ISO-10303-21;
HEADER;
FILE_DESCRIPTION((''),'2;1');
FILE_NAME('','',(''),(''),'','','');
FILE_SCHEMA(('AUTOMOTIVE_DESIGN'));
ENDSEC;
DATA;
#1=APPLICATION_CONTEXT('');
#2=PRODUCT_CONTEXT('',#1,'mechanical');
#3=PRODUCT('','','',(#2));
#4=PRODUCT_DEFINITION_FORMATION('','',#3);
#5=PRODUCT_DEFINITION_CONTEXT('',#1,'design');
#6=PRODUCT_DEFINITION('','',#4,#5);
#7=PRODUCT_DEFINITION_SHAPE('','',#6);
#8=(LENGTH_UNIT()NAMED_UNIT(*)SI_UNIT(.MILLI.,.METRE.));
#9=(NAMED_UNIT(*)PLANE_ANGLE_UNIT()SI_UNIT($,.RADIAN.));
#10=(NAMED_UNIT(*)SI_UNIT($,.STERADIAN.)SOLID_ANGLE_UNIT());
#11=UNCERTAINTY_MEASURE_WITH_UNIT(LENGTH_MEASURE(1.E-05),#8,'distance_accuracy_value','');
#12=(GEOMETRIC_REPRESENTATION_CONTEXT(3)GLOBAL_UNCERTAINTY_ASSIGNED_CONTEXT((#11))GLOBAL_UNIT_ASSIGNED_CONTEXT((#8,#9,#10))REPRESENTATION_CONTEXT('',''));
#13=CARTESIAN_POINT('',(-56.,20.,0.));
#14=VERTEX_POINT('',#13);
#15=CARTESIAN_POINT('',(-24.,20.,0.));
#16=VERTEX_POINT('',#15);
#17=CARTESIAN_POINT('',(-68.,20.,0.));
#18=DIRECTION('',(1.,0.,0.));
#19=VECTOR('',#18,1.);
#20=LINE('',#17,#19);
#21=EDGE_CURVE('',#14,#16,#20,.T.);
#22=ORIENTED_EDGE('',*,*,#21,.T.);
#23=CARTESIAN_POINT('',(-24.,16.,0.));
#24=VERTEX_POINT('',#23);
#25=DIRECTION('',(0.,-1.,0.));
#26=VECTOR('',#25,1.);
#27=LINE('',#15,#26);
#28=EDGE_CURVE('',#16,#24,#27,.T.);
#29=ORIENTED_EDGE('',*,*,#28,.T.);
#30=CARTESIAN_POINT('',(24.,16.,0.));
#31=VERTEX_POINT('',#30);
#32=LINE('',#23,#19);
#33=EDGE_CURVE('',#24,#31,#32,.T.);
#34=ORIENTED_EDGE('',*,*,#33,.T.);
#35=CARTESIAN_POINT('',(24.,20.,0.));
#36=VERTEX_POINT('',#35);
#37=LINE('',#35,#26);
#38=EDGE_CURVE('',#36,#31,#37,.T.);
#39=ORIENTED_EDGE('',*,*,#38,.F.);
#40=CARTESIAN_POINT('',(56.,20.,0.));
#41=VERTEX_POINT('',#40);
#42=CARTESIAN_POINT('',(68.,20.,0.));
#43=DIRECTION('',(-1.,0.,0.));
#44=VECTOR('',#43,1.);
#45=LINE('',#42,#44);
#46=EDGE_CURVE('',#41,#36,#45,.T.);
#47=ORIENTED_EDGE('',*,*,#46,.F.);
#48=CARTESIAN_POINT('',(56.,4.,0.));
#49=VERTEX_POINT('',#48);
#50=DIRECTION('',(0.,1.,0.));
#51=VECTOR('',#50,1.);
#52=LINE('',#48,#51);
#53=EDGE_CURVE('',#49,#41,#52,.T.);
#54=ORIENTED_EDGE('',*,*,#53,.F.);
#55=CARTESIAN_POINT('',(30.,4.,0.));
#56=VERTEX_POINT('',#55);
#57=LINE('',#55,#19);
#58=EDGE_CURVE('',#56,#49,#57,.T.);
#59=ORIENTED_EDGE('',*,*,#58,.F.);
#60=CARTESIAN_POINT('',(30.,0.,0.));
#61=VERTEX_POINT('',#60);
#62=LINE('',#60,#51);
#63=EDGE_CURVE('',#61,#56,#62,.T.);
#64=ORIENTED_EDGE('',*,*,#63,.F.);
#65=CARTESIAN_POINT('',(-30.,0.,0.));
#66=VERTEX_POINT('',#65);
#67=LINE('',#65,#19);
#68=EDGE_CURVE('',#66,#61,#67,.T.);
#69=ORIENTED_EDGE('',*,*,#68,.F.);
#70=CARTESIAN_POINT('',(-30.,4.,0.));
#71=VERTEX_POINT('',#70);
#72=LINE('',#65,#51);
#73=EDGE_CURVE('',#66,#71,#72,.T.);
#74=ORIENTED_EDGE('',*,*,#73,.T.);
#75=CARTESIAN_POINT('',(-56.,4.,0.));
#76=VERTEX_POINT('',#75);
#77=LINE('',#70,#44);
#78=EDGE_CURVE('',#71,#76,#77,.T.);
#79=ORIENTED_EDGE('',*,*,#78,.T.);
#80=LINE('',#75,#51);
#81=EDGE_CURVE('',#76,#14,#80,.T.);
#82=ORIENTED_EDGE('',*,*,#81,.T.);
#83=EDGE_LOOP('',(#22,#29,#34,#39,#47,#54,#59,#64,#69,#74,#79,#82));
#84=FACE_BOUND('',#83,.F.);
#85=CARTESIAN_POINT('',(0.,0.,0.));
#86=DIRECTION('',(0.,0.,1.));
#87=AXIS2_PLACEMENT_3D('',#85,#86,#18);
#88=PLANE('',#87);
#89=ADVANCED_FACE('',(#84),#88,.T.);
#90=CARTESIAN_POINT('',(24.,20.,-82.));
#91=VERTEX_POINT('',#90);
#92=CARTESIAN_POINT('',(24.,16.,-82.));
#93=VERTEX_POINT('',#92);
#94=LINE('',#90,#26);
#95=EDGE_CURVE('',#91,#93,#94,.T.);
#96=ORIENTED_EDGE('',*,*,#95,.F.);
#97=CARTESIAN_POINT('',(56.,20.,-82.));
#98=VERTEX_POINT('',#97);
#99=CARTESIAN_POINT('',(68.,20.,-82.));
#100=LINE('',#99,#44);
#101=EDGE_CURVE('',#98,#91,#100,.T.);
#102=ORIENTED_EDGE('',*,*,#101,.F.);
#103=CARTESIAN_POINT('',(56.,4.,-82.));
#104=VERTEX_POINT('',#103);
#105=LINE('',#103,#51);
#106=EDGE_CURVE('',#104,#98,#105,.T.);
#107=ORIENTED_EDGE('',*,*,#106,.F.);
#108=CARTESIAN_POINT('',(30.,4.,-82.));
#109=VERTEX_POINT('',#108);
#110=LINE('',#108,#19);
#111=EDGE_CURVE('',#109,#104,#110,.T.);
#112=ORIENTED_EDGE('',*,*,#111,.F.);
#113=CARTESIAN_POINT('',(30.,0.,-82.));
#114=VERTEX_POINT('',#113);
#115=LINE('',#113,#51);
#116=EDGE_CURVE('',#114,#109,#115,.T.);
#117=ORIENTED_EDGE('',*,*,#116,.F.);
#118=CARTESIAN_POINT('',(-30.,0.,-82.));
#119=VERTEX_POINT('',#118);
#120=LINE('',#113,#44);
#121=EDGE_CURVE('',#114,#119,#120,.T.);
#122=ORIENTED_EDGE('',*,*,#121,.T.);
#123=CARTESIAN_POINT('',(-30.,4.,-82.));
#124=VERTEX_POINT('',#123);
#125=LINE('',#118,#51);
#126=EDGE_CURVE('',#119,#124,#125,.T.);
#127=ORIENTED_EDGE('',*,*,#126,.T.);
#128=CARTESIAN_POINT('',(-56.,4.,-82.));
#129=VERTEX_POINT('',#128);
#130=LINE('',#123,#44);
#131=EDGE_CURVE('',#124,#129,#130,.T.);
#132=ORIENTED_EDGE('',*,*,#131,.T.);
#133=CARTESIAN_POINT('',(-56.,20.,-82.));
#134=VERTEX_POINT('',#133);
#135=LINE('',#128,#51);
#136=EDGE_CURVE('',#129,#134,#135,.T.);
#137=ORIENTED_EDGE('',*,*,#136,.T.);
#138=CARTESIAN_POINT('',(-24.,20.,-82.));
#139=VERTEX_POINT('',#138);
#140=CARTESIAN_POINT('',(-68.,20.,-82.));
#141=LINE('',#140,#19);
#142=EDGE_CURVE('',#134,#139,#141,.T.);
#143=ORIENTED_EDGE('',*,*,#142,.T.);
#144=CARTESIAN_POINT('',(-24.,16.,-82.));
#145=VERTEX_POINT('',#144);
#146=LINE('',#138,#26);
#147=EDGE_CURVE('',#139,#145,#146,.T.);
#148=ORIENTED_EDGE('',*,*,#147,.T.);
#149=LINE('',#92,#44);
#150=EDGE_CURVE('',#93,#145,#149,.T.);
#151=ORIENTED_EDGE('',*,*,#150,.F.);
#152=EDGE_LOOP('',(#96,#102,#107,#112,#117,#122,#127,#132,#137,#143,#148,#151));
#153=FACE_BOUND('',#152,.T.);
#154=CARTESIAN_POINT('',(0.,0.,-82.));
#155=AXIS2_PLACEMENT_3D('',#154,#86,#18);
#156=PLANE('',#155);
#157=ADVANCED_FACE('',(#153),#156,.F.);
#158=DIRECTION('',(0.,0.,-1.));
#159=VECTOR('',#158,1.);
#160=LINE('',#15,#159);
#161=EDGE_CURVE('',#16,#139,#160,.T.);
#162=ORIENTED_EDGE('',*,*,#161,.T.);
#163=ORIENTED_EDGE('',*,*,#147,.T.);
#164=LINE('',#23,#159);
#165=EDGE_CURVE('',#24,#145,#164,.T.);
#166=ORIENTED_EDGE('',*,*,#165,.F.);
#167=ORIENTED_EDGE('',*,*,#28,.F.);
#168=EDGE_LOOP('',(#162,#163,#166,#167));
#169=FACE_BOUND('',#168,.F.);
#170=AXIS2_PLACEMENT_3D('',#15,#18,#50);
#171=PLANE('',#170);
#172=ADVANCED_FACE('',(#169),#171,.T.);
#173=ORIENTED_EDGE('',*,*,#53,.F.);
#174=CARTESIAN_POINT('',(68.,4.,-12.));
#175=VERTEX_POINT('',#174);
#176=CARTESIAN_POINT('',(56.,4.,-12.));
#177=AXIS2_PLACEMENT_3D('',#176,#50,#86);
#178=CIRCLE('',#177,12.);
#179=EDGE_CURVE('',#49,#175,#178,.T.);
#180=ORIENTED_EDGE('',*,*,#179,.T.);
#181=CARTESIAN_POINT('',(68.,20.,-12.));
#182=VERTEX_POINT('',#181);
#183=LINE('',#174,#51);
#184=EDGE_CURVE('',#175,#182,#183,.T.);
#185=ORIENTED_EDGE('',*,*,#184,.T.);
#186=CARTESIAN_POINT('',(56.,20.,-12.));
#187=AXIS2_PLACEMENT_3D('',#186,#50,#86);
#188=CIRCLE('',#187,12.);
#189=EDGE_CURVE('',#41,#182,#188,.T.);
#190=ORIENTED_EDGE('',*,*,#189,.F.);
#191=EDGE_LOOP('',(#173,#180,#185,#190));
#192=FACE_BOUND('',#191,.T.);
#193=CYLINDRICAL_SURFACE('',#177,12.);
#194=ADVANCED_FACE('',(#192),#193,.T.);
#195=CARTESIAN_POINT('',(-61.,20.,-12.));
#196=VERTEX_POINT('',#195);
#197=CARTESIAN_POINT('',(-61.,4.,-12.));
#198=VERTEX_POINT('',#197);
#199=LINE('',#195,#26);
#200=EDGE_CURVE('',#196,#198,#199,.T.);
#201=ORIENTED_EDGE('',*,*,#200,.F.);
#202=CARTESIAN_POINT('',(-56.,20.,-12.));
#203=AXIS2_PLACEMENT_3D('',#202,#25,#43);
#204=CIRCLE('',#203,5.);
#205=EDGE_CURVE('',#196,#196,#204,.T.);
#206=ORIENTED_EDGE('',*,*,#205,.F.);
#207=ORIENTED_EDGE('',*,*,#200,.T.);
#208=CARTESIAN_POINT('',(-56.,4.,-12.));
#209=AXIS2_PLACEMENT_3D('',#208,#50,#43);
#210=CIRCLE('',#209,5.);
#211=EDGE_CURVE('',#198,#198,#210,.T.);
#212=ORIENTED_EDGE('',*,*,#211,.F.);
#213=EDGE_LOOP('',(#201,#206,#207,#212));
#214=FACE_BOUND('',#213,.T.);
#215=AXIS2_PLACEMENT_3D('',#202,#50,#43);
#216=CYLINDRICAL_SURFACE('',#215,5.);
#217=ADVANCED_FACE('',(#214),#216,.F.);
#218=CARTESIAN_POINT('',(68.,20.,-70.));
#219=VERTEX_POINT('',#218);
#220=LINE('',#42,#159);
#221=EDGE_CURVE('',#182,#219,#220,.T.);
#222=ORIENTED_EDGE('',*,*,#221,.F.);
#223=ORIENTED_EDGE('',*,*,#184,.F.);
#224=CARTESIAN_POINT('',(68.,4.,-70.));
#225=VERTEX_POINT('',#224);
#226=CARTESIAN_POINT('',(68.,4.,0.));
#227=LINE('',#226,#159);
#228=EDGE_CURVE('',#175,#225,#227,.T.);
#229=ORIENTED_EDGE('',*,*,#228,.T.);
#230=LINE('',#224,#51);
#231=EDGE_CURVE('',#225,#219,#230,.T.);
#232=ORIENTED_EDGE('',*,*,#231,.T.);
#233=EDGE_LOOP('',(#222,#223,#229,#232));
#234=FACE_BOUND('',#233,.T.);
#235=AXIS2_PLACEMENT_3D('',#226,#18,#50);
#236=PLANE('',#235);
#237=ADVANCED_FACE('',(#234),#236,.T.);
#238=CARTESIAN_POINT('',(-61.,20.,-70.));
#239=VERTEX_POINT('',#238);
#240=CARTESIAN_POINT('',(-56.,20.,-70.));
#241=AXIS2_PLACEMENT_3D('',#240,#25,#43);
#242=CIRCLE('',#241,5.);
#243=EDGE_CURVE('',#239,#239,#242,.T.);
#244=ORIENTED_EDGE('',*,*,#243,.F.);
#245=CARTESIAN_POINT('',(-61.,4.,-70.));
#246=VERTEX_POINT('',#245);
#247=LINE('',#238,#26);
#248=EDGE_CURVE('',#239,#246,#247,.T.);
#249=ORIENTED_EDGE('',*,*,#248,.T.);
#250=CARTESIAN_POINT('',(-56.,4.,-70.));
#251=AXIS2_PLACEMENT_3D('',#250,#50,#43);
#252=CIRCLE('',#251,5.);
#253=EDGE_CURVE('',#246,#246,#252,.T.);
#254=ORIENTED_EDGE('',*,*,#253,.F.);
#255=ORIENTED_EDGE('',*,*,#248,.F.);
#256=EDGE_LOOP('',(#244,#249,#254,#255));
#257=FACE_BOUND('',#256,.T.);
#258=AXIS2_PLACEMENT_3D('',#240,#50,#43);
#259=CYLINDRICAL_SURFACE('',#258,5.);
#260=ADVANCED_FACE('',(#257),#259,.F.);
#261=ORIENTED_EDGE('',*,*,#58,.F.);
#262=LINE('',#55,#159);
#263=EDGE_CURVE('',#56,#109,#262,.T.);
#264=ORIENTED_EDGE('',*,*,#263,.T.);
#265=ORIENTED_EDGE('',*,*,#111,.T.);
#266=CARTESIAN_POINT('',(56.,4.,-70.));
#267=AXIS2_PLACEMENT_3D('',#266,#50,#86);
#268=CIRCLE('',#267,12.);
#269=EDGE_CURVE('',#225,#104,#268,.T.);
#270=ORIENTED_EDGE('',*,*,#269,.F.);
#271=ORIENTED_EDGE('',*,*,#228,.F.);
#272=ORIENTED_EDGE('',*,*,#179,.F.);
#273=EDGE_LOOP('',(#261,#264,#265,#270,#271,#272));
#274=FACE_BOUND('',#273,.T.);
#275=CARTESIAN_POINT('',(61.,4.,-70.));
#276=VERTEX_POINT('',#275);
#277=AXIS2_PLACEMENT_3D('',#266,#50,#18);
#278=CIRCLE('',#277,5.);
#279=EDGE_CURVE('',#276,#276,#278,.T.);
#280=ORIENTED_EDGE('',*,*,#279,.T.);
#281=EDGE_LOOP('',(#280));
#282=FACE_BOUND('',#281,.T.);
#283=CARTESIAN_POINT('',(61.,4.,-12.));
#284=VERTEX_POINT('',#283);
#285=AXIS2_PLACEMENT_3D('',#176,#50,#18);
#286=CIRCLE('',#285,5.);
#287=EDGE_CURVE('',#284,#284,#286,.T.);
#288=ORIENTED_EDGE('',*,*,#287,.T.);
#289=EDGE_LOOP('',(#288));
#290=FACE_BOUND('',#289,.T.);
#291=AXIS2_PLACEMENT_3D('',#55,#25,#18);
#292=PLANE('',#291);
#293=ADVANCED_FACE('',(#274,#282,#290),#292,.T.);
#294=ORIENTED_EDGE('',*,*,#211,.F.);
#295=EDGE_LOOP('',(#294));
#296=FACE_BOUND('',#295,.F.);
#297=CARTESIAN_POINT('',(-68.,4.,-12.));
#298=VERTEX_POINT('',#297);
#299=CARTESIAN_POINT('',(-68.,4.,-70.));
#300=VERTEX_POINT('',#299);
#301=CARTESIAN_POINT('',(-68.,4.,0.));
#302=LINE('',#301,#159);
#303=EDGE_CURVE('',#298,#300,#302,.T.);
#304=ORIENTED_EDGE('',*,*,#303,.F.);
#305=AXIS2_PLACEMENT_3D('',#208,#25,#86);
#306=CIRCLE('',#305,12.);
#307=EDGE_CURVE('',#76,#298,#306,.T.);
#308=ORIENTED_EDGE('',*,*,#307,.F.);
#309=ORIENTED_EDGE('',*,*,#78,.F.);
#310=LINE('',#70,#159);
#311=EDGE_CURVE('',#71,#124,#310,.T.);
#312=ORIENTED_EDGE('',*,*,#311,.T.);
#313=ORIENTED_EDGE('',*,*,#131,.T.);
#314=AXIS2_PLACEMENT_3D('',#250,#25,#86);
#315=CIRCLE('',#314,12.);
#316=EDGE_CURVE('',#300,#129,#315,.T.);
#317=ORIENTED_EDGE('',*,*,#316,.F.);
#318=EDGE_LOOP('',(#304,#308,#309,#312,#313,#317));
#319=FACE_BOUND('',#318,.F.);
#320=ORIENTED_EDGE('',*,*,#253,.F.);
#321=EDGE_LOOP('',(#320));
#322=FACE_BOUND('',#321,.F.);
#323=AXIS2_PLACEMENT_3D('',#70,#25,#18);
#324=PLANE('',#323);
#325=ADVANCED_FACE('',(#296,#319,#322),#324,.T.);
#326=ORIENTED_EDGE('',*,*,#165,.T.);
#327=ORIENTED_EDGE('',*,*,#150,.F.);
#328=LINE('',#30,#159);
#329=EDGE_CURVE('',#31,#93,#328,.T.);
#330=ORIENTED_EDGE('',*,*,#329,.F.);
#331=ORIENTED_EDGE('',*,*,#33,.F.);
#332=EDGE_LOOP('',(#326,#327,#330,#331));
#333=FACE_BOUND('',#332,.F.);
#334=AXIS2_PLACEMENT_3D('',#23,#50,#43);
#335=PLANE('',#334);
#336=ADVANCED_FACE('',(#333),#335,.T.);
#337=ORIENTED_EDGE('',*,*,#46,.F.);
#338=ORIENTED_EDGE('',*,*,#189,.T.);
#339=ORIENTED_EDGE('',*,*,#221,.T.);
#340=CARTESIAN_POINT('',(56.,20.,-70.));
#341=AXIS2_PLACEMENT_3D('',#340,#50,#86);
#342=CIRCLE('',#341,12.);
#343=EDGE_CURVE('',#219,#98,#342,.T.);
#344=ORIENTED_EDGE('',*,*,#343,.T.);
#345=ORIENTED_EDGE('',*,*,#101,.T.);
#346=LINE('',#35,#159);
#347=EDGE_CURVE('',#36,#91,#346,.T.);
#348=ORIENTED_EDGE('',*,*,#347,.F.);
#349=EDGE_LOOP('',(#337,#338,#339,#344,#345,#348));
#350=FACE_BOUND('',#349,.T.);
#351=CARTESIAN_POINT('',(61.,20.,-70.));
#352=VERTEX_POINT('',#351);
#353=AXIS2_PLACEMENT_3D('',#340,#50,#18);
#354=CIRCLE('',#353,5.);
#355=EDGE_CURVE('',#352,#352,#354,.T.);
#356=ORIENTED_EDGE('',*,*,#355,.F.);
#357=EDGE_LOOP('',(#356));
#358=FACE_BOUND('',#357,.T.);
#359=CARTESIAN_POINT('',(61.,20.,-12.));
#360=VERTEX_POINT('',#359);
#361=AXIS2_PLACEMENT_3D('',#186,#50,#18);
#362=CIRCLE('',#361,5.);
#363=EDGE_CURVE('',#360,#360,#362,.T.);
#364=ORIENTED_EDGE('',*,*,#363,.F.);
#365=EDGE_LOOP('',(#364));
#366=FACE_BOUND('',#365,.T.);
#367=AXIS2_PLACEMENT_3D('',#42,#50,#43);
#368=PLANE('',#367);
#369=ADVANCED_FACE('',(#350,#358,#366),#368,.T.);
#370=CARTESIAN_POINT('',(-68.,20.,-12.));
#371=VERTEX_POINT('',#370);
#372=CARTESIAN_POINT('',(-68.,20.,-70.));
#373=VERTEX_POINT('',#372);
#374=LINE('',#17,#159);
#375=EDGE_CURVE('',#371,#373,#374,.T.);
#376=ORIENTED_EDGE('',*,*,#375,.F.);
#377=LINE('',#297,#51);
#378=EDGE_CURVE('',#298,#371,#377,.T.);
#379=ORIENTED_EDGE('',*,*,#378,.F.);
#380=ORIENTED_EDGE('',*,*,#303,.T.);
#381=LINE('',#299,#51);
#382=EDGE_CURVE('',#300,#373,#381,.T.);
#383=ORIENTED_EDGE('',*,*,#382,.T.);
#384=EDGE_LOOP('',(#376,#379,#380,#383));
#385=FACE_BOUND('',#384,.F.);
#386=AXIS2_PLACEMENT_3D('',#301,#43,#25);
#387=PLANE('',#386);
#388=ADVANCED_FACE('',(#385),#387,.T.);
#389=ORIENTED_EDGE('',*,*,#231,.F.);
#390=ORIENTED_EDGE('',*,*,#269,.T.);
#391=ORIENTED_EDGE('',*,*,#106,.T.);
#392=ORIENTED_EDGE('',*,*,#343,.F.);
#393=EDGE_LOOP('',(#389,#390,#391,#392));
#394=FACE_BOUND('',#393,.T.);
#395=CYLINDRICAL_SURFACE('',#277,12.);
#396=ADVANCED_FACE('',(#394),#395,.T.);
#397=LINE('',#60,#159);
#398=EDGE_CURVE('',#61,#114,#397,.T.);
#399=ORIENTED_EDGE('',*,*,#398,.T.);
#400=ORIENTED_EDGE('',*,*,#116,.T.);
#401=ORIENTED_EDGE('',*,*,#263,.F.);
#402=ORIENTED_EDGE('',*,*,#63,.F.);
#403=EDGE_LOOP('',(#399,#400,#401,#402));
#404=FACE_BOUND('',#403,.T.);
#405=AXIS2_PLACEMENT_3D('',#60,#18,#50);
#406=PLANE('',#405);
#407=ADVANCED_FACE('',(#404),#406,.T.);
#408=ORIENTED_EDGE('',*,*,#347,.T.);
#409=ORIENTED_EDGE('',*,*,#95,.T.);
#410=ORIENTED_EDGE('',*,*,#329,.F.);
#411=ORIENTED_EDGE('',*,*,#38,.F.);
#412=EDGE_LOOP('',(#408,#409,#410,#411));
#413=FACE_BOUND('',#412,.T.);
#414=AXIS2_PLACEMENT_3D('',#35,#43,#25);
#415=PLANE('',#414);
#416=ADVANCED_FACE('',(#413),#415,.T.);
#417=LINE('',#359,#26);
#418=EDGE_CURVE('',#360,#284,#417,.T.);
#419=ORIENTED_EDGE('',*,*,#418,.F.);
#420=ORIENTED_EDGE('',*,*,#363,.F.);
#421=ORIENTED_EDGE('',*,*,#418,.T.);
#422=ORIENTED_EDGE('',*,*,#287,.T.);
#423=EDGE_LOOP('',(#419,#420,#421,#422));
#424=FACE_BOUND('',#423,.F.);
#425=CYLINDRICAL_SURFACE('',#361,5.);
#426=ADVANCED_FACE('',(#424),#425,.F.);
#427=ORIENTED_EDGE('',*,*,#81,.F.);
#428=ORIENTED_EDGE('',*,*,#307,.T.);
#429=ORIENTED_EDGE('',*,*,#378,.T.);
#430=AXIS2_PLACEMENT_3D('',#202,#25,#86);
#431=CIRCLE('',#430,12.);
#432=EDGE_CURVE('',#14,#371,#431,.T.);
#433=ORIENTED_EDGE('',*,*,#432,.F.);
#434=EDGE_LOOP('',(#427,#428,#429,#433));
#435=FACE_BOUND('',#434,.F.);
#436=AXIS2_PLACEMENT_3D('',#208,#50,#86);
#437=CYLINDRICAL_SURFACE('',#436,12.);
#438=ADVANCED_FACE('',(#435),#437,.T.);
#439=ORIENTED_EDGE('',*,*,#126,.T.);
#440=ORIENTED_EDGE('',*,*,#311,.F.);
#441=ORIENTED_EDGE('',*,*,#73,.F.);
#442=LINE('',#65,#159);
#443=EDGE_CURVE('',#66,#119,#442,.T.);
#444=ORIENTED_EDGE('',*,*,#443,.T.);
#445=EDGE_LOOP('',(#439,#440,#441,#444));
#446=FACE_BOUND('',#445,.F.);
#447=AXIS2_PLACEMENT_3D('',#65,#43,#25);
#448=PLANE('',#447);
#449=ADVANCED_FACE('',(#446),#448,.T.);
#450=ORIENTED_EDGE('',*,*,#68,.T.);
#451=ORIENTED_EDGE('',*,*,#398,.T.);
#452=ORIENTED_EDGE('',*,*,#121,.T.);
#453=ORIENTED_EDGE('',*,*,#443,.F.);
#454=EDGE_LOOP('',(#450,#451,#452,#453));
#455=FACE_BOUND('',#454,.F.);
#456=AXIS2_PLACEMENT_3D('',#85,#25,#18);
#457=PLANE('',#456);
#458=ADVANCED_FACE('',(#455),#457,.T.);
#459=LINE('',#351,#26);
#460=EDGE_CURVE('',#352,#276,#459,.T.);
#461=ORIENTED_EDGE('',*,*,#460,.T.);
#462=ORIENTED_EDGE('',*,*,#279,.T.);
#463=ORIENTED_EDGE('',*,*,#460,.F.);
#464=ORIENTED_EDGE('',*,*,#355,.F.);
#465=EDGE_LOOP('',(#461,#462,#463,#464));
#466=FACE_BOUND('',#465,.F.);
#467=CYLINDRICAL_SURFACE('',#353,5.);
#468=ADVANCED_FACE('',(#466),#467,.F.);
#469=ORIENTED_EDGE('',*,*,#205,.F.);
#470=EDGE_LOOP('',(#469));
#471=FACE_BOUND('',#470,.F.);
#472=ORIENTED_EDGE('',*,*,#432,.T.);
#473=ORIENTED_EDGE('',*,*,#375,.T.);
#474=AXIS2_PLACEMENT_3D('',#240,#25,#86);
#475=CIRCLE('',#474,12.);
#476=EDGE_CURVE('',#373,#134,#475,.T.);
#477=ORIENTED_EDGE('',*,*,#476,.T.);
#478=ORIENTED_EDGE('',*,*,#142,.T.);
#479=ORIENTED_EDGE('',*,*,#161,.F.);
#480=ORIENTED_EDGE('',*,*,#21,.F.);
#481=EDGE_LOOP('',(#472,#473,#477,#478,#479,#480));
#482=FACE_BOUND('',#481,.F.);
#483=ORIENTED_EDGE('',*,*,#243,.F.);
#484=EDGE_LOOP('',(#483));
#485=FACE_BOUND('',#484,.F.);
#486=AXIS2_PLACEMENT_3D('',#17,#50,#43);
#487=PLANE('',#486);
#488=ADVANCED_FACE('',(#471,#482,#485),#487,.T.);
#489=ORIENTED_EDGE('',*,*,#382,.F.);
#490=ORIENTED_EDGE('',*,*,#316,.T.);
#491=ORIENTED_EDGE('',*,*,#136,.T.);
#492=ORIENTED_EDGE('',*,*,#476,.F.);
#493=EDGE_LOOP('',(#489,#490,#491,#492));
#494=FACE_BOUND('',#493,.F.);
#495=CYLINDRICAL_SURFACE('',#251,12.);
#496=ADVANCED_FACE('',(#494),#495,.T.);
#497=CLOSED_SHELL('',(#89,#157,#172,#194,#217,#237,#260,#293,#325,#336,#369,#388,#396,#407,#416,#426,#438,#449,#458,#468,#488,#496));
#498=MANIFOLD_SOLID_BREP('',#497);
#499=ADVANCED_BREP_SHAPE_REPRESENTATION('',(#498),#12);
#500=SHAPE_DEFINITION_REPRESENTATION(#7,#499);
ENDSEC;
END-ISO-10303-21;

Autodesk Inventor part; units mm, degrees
ref_plane "YZ Plane" through (0, 0, 0) normal (1, 0, 0) x (0, 1, 0)
ref_plane "XZ Plane" through (0, 0, 0) normal (0, 1, 0) x (-1, 0, 0)
ref_plane "XY Plane" through (0, 0, 0) normal (0, 0, 1) x (1, 0, 0)
sketch "Sketch1" plane through (0, 0, 0) normal (0, 0, 1) x (1, 0, 0)
  line L0 (0, 0) -> (30, 0)
  line L1 (30, 0) -> (30, 4)
  line L2 (30, 4) -> (68, 4)
  line L3 (68, 4) -> (68, 20)
  line L4 (68, 20) -> (24, 20)
  line L5 (24, 20) -> (24, 16)
  line L6 (24, 16) -> (0, 16)
  line L7 (0, 16) -> (0, 0)
  dimension "d0" = 30
  dimension "d1" = 4
  dimension "d2" = 38
  dimension "d3" = 16
  dimension "d4" = 44
  dimension "d5" = 4
extrude "Extrusion1" add sketch "Sketch1" against normal blind 82
sketch "Sketch2" plane through (24, 20, 0) normal (0, 1, 0) x (1, 0, 0)
  circle A0 centre (32, 12) radius 5
  circle A1 centre (32, 70) radius 5
  line L0 (44, 0) -> (44, 82) projected
  line L1 (44, 0) -> (0, 0) projected
  line L2 (0, 82) -> (44, 82) projected
  point P0 (-24, 0)
  dimension "d8" = 10
  dimension "d9" = 10
  dimension "d10" = 12
  dimension "d11" = 12
  dimension "d12" = 12
  dimension "d13" = 12
extrude "Extrusion2" cut sketch "Sketch2" against normal blind 82 contours A0
extrude "Extrusion3" cut sketch "Sketch2" against normal blind 82 contours A1
fillet "Fillet1" radius 12 1 edges at (68, 12, 0)
fillet "Fillet2" radius 12 1 edges at (68, 12, -82)
mirror "Mirror1" about plane through (0, 0, 0) normal (1, 0, 0) of "Extrusion1", "Fillet1", "Extrusion2", "Extrusion3", "Fillet2"
properties part number "topPlate" material "Iron, Malleable"
